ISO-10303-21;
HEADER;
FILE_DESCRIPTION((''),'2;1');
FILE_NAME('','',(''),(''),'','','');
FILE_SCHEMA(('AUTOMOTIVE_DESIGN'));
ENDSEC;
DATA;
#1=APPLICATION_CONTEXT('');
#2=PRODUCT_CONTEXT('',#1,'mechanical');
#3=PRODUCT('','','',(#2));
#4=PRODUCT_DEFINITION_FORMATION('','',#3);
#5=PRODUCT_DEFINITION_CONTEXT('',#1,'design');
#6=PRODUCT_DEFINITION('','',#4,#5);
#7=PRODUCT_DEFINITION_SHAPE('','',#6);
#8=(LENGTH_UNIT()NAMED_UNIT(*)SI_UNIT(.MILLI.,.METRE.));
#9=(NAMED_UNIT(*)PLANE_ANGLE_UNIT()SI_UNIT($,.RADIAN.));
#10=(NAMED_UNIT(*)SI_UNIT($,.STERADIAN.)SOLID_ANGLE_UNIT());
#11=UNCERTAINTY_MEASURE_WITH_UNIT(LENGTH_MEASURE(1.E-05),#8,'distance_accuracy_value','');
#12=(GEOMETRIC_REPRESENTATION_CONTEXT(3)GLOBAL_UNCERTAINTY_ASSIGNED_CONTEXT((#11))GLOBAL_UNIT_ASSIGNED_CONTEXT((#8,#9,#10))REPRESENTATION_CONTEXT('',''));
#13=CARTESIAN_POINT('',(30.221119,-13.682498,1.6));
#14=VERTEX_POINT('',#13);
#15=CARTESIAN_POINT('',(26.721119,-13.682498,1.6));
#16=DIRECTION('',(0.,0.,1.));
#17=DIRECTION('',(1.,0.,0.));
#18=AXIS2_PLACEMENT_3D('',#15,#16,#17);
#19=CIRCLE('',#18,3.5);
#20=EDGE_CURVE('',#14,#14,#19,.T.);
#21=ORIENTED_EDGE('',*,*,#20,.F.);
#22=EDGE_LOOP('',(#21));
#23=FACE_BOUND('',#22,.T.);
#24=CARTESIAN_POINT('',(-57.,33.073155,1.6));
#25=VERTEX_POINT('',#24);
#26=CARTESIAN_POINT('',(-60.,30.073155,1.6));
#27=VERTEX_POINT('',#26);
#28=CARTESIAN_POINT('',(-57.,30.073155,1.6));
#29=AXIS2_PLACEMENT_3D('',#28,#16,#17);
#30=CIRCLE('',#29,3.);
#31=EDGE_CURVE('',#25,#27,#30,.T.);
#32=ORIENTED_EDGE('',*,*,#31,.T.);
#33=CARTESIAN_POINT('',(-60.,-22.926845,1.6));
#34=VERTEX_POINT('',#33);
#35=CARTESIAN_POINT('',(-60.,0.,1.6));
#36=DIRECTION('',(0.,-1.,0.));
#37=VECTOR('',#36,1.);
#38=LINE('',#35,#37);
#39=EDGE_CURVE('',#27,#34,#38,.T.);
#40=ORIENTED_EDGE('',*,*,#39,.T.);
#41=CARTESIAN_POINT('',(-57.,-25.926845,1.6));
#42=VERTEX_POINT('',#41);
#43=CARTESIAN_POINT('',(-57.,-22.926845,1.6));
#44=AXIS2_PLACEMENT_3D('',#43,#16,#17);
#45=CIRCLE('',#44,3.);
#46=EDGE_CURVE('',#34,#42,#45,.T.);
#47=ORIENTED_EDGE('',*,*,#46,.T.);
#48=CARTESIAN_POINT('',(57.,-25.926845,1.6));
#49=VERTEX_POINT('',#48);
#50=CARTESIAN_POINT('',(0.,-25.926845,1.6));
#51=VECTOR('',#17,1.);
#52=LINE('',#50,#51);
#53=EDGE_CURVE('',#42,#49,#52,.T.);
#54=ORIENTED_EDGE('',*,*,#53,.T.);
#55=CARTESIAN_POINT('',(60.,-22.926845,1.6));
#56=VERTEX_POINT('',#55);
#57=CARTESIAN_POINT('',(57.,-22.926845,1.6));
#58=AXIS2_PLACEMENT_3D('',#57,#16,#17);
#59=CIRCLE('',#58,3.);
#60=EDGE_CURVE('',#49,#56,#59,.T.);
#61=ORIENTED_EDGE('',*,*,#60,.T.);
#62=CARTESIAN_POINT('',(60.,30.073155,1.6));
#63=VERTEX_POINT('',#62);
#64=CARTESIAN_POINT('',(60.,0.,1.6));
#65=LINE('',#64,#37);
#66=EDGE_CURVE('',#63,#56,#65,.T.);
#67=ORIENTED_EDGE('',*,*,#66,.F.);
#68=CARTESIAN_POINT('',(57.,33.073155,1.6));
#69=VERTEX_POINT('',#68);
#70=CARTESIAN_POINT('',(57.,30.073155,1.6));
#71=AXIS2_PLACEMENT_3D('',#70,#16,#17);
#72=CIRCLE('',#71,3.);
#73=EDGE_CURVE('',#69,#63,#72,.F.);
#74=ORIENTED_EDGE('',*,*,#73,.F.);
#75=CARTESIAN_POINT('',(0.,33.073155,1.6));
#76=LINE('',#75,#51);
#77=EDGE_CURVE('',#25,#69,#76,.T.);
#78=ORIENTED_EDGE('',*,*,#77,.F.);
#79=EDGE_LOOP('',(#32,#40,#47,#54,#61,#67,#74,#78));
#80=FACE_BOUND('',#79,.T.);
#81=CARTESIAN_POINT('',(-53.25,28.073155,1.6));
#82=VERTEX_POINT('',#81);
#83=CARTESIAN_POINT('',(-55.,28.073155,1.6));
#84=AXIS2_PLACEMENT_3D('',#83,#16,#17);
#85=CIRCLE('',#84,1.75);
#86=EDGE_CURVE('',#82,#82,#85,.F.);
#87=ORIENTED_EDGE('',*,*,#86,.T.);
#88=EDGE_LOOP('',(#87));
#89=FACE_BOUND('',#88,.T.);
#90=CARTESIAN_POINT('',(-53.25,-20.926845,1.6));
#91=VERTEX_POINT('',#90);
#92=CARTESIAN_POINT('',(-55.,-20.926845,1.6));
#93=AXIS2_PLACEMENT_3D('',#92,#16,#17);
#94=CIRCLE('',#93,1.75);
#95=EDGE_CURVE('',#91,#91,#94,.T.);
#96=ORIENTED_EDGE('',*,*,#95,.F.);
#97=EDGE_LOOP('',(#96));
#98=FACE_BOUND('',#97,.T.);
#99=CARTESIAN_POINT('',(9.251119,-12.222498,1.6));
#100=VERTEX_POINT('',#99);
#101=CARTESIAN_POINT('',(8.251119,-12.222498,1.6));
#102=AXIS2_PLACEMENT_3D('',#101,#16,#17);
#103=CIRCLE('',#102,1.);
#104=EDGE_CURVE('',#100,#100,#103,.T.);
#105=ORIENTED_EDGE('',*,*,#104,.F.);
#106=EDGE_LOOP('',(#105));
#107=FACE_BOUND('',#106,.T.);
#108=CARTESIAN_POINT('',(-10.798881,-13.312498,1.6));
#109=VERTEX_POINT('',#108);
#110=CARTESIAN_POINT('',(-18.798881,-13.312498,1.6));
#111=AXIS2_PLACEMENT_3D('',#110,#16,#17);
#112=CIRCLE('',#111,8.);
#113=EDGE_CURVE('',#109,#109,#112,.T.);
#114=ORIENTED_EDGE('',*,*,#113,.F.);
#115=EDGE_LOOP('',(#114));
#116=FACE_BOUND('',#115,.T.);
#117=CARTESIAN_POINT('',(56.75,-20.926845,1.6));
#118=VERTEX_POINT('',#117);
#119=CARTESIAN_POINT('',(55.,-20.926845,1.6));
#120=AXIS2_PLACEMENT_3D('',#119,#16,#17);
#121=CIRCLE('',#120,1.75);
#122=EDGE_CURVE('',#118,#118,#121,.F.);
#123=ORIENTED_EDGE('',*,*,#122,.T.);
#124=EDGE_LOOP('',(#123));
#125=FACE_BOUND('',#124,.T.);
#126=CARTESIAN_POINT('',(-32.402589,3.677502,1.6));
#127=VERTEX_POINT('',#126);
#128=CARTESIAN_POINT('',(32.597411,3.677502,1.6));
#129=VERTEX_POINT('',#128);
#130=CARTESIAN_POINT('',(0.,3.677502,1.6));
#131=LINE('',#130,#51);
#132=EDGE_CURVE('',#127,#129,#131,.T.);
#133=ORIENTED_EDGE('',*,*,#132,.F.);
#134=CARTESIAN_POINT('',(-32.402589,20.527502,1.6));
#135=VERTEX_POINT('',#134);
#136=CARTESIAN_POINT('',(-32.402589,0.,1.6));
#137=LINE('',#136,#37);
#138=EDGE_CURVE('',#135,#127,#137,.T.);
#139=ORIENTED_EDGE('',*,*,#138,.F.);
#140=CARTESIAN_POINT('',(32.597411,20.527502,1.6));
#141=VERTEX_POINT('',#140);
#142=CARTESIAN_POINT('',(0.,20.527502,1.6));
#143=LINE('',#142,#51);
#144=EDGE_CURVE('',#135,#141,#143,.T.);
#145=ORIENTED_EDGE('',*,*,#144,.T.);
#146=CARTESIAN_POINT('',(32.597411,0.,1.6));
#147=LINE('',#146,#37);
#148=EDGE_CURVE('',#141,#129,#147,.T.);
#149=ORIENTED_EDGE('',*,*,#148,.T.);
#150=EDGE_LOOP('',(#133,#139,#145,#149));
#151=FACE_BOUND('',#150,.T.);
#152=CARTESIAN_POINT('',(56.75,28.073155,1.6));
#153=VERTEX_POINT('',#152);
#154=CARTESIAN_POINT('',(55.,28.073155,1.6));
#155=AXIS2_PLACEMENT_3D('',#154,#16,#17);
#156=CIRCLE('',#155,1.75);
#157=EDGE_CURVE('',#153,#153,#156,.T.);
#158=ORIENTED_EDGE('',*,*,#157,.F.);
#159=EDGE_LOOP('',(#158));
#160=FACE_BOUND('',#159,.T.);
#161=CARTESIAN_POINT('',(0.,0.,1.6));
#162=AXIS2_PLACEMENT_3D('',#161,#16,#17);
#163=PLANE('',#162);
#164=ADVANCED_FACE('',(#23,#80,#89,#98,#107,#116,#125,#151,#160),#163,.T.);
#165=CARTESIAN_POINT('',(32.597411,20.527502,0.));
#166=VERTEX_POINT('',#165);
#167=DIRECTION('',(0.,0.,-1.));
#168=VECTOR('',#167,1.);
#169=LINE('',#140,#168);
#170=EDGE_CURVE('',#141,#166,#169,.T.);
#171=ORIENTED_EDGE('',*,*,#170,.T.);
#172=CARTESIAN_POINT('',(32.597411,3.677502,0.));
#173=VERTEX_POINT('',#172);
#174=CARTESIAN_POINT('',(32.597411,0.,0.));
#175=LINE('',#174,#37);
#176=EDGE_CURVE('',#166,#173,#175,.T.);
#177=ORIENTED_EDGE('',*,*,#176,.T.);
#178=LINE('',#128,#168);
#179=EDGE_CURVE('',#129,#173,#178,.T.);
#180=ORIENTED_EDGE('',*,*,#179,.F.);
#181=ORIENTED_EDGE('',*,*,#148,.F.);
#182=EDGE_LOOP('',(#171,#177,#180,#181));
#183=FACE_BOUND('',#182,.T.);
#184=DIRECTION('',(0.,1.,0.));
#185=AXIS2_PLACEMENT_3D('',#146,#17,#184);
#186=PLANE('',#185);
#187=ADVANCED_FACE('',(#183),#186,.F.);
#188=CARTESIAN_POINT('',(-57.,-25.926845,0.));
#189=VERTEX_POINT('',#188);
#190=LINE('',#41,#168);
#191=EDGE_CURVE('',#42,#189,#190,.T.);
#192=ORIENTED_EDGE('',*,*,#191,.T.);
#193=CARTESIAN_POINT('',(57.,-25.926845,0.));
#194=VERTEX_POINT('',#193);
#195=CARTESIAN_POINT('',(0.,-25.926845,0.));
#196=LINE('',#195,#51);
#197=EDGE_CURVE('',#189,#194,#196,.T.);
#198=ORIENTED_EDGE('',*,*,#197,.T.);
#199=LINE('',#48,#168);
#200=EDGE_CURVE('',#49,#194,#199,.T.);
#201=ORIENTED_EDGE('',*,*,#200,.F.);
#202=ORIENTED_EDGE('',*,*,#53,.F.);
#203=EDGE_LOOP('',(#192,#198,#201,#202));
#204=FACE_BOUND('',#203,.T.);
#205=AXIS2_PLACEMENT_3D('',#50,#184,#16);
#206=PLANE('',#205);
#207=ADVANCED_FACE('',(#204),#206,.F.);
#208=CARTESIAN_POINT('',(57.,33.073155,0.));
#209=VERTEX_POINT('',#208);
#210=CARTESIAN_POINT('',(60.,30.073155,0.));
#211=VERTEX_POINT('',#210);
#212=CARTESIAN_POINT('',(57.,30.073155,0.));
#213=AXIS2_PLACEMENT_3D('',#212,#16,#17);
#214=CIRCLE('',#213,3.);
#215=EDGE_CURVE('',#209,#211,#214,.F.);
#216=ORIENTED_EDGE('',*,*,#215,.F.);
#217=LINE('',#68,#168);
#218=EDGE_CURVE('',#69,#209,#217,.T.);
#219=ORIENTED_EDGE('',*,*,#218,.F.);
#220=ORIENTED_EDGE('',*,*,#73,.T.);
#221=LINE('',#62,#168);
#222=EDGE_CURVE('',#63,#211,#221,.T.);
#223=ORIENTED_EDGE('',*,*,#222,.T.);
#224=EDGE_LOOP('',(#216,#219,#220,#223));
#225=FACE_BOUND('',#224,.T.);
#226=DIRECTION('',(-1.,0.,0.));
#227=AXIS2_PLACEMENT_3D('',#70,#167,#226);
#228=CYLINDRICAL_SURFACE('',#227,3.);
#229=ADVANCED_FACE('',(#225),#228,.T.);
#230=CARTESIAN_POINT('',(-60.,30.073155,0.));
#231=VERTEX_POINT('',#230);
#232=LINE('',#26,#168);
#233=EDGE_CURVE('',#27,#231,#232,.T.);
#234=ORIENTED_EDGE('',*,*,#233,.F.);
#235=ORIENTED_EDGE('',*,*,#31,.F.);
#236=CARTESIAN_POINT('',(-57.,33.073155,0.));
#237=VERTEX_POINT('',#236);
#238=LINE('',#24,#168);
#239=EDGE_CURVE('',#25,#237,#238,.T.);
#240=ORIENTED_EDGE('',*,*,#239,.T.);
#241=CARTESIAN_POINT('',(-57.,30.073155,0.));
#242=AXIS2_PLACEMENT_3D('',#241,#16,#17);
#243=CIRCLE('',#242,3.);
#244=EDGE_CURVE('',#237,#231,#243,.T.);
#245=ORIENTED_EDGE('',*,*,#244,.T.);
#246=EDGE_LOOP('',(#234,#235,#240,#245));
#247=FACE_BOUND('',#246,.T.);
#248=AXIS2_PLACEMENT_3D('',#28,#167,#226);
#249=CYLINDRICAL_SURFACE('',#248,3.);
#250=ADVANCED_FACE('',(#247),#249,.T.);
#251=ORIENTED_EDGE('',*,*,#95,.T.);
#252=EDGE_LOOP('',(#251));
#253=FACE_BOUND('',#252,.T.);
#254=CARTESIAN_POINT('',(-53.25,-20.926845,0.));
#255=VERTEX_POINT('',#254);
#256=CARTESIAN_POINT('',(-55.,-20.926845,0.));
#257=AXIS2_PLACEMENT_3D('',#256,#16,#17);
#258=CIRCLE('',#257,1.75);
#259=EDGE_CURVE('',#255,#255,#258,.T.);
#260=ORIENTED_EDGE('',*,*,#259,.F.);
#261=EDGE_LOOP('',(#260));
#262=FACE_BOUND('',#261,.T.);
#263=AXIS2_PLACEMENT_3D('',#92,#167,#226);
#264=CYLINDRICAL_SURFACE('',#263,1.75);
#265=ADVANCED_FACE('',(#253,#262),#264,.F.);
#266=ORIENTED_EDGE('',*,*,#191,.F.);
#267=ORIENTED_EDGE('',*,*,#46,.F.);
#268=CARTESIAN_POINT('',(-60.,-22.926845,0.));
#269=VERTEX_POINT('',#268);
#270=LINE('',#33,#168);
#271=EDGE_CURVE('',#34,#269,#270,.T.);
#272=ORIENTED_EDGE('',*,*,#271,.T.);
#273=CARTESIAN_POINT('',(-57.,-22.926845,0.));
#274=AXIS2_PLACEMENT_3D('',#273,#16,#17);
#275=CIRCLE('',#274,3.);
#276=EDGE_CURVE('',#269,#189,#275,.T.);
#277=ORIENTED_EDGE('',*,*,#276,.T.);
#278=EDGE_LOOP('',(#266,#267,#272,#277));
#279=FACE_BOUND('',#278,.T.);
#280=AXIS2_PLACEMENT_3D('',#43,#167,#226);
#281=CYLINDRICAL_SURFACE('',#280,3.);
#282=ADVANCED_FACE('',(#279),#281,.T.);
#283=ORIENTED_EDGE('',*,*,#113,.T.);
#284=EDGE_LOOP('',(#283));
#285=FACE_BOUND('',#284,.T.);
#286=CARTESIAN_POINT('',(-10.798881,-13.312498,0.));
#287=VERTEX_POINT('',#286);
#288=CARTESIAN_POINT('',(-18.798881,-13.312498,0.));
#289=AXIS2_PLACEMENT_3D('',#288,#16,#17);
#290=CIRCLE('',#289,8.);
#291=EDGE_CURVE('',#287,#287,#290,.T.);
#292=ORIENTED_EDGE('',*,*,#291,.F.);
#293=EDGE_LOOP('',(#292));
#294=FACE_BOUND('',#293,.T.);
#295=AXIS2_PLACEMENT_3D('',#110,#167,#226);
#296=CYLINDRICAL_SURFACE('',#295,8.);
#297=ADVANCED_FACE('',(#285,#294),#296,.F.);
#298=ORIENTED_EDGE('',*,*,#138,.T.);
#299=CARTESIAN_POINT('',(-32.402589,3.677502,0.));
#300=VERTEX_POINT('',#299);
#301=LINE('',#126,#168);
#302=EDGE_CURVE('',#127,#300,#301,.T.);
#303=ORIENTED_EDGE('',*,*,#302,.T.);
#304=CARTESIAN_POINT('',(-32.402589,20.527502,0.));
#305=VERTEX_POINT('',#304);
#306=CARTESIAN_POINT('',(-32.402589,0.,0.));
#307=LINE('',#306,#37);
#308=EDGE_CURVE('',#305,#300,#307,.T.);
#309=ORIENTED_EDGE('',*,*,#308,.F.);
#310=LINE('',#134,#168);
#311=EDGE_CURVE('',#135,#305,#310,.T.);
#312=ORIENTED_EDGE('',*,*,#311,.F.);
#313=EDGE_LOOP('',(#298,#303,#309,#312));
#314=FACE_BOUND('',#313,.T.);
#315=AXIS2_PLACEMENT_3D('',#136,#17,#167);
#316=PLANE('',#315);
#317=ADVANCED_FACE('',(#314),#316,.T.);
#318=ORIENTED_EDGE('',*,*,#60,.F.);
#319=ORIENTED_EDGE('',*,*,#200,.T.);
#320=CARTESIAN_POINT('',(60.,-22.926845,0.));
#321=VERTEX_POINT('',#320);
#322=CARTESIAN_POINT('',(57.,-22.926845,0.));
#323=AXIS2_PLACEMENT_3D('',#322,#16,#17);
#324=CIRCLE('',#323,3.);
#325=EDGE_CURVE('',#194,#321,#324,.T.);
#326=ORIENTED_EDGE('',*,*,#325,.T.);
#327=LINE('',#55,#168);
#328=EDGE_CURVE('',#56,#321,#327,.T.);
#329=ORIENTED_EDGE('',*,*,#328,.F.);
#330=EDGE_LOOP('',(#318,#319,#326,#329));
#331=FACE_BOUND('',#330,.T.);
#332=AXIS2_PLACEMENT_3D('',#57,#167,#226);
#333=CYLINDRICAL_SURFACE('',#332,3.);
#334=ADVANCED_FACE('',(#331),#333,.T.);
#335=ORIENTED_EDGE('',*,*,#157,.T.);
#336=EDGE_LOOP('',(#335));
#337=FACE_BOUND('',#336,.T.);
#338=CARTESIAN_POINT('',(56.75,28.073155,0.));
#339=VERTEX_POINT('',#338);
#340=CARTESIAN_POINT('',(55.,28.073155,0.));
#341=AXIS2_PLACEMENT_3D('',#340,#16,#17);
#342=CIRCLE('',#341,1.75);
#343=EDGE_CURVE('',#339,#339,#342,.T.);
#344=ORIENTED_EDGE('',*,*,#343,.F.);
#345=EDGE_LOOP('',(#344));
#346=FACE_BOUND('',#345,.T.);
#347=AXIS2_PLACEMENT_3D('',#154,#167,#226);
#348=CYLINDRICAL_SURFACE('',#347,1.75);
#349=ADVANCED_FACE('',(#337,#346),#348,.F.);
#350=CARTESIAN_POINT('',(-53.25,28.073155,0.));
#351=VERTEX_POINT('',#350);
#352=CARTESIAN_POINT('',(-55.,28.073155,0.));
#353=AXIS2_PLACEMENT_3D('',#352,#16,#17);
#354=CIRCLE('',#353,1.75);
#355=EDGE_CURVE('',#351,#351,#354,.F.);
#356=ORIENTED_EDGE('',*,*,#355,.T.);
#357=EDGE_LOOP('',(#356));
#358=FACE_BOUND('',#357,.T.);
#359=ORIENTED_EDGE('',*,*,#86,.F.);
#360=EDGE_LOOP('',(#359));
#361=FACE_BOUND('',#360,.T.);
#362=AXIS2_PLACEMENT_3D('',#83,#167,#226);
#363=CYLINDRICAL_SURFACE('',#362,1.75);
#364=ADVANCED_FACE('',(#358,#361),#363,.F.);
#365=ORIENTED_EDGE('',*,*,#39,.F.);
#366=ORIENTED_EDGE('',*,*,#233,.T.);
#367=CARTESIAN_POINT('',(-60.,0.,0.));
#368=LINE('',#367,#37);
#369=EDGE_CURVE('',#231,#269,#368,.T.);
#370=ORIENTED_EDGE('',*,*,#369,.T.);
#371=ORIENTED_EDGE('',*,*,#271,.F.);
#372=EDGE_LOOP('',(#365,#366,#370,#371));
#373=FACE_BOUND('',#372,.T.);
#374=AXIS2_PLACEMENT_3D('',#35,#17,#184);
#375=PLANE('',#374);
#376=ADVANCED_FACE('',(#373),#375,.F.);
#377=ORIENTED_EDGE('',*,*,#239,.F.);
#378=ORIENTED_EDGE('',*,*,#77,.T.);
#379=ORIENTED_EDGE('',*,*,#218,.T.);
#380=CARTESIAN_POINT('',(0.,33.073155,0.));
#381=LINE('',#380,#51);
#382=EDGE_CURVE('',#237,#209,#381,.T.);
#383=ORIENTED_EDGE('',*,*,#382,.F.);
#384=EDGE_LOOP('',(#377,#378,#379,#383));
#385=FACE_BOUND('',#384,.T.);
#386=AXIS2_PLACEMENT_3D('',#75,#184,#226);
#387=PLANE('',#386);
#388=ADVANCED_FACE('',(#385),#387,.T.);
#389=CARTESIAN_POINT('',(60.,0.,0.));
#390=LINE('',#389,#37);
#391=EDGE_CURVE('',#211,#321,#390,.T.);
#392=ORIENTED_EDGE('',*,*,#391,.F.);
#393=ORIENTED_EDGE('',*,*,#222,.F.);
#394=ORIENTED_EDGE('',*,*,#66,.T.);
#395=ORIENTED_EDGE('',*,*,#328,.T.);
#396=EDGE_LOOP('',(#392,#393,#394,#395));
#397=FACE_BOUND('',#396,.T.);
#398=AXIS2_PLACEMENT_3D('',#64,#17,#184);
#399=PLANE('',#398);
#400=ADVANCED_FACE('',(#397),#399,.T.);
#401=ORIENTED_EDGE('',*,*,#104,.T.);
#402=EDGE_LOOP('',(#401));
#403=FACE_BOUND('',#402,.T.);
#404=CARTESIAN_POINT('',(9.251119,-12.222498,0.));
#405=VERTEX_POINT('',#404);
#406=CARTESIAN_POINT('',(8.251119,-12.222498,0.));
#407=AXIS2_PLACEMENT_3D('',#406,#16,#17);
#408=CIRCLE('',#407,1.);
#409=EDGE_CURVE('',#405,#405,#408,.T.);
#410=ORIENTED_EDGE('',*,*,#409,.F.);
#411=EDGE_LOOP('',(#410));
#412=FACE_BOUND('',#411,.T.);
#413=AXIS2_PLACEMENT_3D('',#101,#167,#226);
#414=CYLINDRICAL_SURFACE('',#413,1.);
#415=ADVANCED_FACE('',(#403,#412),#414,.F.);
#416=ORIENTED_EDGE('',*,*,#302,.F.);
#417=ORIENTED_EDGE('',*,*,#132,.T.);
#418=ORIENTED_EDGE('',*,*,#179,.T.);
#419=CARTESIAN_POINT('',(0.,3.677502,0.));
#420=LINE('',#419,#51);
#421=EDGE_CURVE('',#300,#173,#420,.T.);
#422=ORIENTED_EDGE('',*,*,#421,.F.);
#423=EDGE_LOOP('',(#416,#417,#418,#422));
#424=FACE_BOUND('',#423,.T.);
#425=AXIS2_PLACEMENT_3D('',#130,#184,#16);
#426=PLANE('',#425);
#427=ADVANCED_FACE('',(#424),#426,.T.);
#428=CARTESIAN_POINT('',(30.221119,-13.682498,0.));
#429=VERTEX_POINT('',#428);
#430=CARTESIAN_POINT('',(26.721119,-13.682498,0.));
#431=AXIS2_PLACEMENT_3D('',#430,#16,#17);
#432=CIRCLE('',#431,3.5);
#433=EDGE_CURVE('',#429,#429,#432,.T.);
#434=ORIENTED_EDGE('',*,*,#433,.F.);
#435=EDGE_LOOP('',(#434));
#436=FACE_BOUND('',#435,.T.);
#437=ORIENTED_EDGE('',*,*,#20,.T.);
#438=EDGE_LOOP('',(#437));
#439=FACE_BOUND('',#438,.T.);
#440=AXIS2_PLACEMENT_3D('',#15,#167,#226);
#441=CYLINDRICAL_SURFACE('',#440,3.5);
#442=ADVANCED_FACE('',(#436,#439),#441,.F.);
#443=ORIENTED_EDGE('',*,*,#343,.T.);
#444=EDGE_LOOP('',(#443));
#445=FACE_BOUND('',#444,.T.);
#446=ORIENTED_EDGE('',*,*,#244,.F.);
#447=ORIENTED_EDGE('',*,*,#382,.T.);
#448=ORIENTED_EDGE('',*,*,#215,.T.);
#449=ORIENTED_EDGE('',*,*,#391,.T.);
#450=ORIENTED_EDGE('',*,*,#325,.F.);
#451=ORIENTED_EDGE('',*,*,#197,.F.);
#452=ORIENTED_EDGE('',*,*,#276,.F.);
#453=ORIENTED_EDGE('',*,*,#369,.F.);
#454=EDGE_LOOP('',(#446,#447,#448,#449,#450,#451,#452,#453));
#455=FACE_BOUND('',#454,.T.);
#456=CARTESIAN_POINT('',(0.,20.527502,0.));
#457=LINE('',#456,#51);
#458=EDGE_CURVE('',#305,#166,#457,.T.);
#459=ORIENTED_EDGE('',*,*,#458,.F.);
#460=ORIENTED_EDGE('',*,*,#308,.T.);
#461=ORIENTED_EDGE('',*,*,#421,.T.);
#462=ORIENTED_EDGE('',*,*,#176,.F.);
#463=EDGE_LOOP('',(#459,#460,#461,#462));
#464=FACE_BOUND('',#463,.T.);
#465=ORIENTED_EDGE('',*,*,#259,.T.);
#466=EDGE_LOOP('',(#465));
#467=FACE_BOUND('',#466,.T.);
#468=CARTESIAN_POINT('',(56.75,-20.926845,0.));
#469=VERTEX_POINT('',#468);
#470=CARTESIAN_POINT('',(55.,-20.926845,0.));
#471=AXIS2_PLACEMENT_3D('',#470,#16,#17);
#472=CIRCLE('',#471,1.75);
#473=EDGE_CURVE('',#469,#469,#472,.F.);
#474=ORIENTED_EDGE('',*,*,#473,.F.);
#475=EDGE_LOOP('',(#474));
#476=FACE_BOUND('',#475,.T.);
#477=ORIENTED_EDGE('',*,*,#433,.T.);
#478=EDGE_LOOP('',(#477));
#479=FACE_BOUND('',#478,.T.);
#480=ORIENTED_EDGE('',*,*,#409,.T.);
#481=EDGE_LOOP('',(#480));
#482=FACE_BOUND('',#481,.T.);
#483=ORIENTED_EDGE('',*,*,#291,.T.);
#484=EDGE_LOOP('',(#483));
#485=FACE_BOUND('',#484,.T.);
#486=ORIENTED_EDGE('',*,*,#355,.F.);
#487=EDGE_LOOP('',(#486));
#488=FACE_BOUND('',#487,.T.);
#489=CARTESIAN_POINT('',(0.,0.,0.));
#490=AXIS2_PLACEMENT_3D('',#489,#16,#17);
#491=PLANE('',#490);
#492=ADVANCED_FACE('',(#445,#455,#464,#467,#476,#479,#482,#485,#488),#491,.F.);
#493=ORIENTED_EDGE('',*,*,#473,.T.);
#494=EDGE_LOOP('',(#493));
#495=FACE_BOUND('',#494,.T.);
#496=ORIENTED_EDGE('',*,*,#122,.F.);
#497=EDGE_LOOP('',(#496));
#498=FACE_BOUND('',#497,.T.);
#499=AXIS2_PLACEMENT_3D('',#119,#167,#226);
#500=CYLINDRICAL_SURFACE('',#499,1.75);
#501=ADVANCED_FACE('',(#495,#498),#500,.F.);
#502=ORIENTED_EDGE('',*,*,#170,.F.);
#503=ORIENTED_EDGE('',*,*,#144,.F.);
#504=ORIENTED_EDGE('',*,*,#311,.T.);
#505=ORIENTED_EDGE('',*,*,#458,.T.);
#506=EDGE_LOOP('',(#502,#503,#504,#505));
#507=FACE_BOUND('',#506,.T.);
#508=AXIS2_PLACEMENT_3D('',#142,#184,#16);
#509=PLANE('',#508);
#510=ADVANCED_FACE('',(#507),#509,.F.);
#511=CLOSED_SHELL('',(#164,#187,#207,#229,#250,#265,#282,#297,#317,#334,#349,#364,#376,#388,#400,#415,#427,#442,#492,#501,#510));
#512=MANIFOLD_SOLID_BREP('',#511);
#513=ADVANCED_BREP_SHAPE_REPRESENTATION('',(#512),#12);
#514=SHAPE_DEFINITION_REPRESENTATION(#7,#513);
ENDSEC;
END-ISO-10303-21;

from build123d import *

# Parameters (mm, degrees)
SKETCH_1_R      = 1.75
SKETCH_1_R_2    = 3.5
SKETCH_1_R_3    = 8
SKETCH_1_R_4    = 1
SKETCH_1_W      = 65
SKETCH_1_H      = 16.85
EXTRUDE_1_DEPTH = 1.6


with BuildPart() as part:
    # 草图1 → 凸台-拉伸1 (new body)
    with BuildSketch(Plane.XY):
        with BuildLine():
            Line((-57, 33.073154828), (57, 33.073154828))
            ThreePointArc((57, 33.073154828), (59.121320344, 32.194475172), (60, 30.073154828))
            Line((60, 30.073154828), (60, -22.926845172))
            ThreePointArc((60, -22.926845172), (59.121320344, -25.048165515), (57, -25.926845172))
            Line((57, -25.926845172), (-57, -25.926845172))
            ThreePointArc((-57, -25.926845172), (-59.121320344, -25.048165515), (-60, -22.926845172))
            Line((-60, -22.926845172), (-60, 30.073154828))
            ThreePointArc((-60, 30.073154828), (-59.121320344, 32.194475172), (-57, 33.073154828))
        make_face()
        with Locations((-55, -20.926845172)):
            Circle(SKETCH_1_R, mode=Mode.SUBTRACT)
        with Locations((55, -20.926845172)):
            Circle(SKETCH_1_R, mode=Mode.SUBTRACT)
        with Locations((55, 28.073154828)):
            Circle(SKETCH_1_R, mode=Mode.SUBTRACT)
        with Locations((-55, 28.073154828)):
            Circle(SKETCH_1_R, mode=Mode.SUBTRACT)
        with Locations((26.721118862, -13.682497654)):
            Circle(SKETCH_1_R_2, mode=Mode.SUBTRACT)
        with Locations((-18.798880758, -13.312497654)):
            Circle(SKETCH_1_R_3, mode=Mode.SUBTRACT)
        with Locations((8.251119242, -12.222497654)):
            Circle(SKETCH_1_R_4, mode=Mode.SUBTRACT)
        with Locations((0.097411242, 12.102502346)):
            Rectangle(SKETCH_1_W, SKETCH_1_H, mode=Mode.SUBTRACT)
    extrude(amount=EXTRUDE_1_DEPTH)


solid = part.part
